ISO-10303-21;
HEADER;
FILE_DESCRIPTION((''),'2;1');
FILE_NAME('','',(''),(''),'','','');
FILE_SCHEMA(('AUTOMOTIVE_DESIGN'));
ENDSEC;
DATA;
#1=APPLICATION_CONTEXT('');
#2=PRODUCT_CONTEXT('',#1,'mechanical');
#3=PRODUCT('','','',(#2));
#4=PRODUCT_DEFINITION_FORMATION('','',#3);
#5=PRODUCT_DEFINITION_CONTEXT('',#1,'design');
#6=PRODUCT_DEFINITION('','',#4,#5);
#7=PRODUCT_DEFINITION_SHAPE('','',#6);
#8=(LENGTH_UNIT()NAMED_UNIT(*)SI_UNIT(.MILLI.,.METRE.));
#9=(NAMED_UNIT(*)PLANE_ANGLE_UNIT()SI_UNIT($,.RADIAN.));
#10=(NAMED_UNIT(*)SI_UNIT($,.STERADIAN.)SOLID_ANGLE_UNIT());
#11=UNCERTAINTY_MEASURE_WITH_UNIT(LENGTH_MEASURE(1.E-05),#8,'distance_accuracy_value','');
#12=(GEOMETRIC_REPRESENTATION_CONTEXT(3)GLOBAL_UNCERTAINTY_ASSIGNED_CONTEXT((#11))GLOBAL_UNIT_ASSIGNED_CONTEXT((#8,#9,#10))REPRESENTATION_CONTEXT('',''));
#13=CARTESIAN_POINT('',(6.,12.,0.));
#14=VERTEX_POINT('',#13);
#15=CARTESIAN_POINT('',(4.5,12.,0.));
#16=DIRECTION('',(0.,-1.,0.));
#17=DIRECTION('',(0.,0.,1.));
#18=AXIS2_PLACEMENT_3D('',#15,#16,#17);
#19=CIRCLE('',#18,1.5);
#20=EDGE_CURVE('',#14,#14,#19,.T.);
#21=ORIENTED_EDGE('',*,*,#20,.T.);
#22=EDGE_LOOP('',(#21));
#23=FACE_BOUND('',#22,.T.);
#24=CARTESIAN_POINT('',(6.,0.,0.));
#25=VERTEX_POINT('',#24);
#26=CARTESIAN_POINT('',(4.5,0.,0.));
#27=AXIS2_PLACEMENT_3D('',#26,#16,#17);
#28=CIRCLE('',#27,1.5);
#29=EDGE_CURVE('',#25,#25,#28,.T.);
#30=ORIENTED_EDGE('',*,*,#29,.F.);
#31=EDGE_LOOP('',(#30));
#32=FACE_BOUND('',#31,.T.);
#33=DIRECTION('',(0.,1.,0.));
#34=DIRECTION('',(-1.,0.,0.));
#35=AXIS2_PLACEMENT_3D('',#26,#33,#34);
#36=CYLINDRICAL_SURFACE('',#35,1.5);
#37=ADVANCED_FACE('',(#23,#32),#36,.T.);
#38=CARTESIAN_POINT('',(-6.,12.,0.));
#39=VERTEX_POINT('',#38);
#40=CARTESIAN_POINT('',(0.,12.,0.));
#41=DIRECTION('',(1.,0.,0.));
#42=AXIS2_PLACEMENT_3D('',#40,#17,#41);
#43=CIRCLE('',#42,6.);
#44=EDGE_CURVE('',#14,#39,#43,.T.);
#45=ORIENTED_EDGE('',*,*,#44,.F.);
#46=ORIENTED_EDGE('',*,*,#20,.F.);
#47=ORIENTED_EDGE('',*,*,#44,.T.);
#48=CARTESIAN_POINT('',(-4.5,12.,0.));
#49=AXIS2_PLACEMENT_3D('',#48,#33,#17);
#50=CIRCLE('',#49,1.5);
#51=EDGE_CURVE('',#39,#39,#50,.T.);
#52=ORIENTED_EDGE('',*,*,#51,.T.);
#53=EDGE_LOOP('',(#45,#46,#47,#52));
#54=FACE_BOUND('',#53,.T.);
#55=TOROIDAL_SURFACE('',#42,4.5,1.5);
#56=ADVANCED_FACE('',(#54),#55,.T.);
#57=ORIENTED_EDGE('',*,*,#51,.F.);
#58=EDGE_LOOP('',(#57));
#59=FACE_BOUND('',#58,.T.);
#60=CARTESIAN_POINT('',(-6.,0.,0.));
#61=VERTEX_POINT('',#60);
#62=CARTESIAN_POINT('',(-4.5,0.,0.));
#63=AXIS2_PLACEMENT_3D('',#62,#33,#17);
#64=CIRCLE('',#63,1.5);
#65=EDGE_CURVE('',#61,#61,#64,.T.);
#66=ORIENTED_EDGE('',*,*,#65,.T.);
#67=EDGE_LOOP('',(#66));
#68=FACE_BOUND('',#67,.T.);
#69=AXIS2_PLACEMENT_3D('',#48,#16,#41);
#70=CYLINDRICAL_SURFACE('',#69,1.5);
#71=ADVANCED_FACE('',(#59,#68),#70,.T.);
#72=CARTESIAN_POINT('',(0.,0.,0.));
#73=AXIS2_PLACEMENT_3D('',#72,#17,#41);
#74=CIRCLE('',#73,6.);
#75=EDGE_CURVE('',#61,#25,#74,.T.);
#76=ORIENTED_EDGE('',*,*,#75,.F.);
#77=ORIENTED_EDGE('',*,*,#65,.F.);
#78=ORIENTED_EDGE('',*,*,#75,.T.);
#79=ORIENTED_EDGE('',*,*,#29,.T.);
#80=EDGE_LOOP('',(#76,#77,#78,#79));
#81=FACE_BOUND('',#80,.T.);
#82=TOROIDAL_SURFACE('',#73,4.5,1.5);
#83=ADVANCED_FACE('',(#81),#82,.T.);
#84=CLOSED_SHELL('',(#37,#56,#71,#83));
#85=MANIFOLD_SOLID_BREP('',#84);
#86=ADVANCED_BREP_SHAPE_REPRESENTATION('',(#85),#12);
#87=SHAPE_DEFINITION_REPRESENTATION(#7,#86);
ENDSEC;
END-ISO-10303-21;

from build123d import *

# Parameters (mm, degrees)
SKETCH_2_R = 1.5


with BuildPart() as part:
    # По траектории1: sweep along a path in Эскиз1
    with BuildLine(Plane.XY) as sweep_1_path:
        Line((-4.5, 0), (-4.5, 12))
        ThreePointArc((-4.5, 12), (0, 16.5), (4.5, 12))
        Line((4.5, 12), (4.5, 0))
        ThreePointArc((4.5, 0), (0, -4.5), (-4.5, 0))
    # Эскиз2 → По траектории1 (sweep)
    with BuildSketch(Plane(origin=(0, 0, 0), x_dir=(1, 0, 0), z_dir=(0, 1, 0))):
        with Locations((-4.5, 0)):
            Circle(SKETCH_2_R)
    sweep(path=sweep_1_path.line)


solid = part.part
